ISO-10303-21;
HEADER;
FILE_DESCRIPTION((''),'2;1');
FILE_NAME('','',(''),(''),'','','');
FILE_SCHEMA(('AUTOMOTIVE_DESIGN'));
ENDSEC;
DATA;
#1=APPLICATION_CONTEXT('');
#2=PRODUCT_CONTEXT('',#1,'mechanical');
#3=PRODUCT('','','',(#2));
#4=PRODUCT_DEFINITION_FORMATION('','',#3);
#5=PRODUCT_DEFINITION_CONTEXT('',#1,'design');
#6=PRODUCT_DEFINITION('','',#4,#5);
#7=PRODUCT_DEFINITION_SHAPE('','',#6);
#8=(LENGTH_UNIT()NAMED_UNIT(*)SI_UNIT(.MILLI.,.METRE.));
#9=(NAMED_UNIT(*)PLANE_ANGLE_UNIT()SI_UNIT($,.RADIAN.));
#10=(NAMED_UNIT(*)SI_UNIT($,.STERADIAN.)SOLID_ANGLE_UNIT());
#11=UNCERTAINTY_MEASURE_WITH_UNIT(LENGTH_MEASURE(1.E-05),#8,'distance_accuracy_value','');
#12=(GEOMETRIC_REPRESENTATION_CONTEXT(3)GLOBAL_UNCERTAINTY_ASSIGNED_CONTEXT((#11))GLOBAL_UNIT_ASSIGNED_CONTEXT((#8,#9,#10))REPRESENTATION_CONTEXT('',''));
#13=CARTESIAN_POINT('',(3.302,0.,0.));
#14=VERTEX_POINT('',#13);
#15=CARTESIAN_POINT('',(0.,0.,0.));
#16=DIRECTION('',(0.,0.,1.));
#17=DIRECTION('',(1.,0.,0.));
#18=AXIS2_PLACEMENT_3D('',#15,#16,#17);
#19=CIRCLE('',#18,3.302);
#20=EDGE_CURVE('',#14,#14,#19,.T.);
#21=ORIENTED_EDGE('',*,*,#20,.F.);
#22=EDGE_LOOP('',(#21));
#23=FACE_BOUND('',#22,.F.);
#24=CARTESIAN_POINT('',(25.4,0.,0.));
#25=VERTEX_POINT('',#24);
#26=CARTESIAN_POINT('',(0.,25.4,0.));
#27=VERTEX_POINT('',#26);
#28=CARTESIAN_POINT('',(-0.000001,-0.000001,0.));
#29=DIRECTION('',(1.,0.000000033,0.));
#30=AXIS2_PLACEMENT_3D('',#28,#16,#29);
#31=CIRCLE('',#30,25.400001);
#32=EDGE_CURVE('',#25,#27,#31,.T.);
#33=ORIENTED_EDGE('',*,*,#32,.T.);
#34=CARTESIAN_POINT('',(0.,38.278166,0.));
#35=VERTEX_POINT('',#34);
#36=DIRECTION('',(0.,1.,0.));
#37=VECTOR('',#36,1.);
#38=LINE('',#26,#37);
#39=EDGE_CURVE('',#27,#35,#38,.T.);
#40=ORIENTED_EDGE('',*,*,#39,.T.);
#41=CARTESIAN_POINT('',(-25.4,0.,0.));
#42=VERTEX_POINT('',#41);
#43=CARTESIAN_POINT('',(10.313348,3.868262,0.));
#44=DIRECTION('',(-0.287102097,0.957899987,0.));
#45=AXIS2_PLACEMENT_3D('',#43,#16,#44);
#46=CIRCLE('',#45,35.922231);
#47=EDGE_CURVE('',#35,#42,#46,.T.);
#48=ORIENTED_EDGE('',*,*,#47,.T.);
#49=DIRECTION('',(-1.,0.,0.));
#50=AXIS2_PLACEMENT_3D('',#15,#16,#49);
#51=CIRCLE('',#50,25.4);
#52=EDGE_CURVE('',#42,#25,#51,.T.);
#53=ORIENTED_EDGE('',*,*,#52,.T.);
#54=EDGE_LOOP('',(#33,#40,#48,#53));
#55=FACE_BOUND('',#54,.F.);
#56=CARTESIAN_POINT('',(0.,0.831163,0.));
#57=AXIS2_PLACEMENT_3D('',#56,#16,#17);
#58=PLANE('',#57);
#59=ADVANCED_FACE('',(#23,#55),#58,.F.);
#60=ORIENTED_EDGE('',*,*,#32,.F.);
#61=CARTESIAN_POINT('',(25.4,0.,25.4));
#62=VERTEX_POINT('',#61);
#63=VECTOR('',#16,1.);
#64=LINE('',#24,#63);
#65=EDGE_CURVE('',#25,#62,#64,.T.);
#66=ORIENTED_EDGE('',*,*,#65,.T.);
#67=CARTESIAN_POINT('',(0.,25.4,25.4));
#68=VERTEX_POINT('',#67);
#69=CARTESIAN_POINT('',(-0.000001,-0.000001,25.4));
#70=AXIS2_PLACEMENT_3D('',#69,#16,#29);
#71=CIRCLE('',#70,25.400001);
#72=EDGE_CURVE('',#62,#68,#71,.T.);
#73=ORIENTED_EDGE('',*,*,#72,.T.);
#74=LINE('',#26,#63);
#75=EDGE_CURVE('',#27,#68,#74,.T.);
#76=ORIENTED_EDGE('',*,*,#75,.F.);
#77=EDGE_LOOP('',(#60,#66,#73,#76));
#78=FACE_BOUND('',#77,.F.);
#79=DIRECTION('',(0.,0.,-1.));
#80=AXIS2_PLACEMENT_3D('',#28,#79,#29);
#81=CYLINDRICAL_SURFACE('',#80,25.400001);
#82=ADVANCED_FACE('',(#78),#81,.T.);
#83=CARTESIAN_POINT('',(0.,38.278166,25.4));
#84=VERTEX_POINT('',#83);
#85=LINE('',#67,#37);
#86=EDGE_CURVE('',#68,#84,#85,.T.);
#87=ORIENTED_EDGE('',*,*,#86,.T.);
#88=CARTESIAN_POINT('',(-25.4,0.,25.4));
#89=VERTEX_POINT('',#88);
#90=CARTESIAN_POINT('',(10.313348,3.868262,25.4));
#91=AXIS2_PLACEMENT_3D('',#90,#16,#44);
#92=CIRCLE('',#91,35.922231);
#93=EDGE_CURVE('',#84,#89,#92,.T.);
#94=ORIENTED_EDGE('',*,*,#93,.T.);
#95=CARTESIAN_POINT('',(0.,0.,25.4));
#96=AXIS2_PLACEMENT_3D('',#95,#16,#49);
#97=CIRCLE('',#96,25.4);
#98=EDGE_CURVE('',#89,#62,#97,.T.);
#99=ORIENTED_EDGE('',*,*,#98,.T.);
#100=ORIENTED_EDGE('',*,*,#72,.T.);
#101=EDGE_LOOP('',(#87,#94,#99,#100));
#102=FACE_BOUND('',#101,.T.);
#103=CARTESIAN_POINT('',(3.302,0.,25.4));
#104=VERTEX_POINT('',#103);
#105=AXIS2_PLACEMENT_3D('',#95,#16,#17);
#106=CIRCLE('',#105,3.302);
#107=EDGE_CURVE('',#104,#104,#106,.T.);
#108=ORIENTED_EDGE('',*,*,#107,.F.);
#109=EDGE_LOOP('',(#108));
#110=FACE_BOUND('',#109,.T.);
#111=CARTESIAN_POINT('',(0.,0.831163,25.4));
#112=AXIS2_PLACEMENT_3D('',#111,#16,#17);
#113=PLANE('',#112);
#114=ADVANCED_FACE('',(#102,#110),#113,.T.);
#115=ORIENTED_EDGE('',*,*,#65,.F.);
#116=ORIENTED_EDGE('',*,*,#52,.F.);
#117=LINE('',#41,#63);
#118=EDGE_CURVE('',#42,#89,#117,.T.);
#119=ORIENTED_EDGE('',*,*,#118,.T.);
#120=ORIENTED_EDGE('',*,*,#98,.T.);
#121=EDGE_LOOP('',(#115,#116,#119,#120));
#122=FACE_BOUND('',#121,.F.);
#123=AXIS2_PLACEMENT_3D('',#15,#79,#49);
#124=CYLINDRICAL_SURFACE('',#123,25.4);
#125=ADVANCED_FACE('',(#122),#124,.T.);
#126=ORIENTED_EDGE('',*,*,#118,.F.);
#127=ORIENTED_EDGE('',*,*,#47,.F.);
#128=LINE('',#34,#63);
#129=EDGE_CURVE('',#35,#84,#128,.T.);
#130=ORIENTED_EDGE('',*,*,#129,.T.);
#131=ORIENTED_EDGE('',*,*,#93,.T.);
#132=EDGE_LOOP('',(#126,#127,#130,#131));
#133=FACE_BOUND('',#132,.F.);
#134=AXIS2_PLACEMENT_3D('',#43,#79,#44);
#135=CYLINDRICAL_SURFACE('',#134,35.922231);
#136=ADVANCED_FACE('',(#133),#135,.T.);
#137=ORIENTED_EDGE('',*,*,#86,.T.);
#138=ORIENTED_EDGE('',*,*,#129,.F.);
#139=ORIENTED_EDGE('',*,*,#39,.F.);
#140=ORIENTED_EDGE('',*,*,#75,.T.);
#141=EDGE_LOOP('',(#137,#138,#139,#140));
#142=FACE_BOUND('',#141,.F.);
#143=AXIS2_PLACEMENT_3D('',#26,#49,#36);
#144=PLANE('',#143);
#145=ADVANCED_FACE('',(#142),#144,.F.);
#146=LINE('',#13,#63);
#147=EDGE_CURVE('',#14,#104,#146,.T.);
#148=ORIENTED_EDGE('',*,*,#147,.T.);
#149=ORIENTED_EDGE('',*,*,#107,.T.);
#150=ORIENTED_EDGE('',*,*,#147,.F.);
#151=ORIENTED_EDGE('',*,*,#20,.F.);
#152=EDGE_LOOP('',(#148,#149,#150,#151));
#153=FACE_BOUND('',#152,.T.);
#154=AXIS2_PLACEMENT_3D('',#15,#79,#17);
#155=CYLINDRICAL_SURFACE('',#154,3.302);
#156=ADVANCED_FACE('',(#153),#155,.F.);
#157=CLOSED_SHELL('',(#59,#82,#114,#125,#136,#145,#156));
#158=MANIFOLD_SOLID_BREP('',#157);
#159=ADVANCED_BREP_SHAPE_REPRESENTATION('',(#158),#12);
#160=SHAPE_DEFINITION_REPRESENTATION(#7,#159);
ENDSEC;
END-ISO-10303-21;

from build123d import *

# Parameters (mm, degrees)
F0_R     = 3.302
F1_DEPTH = 25.4


with BuildPart() as f1:
    # F0 (on Top) → F1 (new body)
    with BuildSketch(Plane.XY):
        with BuildLine():
            ThreePointArc((-25.4, 0), (0, -25.4), (25.4, 0))
            ThreePointArc((25.4, 0), (17.960512, 17.960512), (0, 25.4))
            ThreePointArc((0, 25.4), (-17.960512, 17.960512), (-25.4, 0))
        make_face()
        Circle(F0_R, mode=Mode.SUBTRACT)
        with BuildLine():
            ThreePointArc((-25.4, 0), (-17.960512, 17.960512), (0, 25.4))
            Line((0, 25.4), (0, 38.278166))
            ThreePointArc((0, 38.278166), (-19.618553, 23.729983), (-25.4, 0))
        make_face()
    extrude(amount=F1_DEPTH)


solid = f1.part
